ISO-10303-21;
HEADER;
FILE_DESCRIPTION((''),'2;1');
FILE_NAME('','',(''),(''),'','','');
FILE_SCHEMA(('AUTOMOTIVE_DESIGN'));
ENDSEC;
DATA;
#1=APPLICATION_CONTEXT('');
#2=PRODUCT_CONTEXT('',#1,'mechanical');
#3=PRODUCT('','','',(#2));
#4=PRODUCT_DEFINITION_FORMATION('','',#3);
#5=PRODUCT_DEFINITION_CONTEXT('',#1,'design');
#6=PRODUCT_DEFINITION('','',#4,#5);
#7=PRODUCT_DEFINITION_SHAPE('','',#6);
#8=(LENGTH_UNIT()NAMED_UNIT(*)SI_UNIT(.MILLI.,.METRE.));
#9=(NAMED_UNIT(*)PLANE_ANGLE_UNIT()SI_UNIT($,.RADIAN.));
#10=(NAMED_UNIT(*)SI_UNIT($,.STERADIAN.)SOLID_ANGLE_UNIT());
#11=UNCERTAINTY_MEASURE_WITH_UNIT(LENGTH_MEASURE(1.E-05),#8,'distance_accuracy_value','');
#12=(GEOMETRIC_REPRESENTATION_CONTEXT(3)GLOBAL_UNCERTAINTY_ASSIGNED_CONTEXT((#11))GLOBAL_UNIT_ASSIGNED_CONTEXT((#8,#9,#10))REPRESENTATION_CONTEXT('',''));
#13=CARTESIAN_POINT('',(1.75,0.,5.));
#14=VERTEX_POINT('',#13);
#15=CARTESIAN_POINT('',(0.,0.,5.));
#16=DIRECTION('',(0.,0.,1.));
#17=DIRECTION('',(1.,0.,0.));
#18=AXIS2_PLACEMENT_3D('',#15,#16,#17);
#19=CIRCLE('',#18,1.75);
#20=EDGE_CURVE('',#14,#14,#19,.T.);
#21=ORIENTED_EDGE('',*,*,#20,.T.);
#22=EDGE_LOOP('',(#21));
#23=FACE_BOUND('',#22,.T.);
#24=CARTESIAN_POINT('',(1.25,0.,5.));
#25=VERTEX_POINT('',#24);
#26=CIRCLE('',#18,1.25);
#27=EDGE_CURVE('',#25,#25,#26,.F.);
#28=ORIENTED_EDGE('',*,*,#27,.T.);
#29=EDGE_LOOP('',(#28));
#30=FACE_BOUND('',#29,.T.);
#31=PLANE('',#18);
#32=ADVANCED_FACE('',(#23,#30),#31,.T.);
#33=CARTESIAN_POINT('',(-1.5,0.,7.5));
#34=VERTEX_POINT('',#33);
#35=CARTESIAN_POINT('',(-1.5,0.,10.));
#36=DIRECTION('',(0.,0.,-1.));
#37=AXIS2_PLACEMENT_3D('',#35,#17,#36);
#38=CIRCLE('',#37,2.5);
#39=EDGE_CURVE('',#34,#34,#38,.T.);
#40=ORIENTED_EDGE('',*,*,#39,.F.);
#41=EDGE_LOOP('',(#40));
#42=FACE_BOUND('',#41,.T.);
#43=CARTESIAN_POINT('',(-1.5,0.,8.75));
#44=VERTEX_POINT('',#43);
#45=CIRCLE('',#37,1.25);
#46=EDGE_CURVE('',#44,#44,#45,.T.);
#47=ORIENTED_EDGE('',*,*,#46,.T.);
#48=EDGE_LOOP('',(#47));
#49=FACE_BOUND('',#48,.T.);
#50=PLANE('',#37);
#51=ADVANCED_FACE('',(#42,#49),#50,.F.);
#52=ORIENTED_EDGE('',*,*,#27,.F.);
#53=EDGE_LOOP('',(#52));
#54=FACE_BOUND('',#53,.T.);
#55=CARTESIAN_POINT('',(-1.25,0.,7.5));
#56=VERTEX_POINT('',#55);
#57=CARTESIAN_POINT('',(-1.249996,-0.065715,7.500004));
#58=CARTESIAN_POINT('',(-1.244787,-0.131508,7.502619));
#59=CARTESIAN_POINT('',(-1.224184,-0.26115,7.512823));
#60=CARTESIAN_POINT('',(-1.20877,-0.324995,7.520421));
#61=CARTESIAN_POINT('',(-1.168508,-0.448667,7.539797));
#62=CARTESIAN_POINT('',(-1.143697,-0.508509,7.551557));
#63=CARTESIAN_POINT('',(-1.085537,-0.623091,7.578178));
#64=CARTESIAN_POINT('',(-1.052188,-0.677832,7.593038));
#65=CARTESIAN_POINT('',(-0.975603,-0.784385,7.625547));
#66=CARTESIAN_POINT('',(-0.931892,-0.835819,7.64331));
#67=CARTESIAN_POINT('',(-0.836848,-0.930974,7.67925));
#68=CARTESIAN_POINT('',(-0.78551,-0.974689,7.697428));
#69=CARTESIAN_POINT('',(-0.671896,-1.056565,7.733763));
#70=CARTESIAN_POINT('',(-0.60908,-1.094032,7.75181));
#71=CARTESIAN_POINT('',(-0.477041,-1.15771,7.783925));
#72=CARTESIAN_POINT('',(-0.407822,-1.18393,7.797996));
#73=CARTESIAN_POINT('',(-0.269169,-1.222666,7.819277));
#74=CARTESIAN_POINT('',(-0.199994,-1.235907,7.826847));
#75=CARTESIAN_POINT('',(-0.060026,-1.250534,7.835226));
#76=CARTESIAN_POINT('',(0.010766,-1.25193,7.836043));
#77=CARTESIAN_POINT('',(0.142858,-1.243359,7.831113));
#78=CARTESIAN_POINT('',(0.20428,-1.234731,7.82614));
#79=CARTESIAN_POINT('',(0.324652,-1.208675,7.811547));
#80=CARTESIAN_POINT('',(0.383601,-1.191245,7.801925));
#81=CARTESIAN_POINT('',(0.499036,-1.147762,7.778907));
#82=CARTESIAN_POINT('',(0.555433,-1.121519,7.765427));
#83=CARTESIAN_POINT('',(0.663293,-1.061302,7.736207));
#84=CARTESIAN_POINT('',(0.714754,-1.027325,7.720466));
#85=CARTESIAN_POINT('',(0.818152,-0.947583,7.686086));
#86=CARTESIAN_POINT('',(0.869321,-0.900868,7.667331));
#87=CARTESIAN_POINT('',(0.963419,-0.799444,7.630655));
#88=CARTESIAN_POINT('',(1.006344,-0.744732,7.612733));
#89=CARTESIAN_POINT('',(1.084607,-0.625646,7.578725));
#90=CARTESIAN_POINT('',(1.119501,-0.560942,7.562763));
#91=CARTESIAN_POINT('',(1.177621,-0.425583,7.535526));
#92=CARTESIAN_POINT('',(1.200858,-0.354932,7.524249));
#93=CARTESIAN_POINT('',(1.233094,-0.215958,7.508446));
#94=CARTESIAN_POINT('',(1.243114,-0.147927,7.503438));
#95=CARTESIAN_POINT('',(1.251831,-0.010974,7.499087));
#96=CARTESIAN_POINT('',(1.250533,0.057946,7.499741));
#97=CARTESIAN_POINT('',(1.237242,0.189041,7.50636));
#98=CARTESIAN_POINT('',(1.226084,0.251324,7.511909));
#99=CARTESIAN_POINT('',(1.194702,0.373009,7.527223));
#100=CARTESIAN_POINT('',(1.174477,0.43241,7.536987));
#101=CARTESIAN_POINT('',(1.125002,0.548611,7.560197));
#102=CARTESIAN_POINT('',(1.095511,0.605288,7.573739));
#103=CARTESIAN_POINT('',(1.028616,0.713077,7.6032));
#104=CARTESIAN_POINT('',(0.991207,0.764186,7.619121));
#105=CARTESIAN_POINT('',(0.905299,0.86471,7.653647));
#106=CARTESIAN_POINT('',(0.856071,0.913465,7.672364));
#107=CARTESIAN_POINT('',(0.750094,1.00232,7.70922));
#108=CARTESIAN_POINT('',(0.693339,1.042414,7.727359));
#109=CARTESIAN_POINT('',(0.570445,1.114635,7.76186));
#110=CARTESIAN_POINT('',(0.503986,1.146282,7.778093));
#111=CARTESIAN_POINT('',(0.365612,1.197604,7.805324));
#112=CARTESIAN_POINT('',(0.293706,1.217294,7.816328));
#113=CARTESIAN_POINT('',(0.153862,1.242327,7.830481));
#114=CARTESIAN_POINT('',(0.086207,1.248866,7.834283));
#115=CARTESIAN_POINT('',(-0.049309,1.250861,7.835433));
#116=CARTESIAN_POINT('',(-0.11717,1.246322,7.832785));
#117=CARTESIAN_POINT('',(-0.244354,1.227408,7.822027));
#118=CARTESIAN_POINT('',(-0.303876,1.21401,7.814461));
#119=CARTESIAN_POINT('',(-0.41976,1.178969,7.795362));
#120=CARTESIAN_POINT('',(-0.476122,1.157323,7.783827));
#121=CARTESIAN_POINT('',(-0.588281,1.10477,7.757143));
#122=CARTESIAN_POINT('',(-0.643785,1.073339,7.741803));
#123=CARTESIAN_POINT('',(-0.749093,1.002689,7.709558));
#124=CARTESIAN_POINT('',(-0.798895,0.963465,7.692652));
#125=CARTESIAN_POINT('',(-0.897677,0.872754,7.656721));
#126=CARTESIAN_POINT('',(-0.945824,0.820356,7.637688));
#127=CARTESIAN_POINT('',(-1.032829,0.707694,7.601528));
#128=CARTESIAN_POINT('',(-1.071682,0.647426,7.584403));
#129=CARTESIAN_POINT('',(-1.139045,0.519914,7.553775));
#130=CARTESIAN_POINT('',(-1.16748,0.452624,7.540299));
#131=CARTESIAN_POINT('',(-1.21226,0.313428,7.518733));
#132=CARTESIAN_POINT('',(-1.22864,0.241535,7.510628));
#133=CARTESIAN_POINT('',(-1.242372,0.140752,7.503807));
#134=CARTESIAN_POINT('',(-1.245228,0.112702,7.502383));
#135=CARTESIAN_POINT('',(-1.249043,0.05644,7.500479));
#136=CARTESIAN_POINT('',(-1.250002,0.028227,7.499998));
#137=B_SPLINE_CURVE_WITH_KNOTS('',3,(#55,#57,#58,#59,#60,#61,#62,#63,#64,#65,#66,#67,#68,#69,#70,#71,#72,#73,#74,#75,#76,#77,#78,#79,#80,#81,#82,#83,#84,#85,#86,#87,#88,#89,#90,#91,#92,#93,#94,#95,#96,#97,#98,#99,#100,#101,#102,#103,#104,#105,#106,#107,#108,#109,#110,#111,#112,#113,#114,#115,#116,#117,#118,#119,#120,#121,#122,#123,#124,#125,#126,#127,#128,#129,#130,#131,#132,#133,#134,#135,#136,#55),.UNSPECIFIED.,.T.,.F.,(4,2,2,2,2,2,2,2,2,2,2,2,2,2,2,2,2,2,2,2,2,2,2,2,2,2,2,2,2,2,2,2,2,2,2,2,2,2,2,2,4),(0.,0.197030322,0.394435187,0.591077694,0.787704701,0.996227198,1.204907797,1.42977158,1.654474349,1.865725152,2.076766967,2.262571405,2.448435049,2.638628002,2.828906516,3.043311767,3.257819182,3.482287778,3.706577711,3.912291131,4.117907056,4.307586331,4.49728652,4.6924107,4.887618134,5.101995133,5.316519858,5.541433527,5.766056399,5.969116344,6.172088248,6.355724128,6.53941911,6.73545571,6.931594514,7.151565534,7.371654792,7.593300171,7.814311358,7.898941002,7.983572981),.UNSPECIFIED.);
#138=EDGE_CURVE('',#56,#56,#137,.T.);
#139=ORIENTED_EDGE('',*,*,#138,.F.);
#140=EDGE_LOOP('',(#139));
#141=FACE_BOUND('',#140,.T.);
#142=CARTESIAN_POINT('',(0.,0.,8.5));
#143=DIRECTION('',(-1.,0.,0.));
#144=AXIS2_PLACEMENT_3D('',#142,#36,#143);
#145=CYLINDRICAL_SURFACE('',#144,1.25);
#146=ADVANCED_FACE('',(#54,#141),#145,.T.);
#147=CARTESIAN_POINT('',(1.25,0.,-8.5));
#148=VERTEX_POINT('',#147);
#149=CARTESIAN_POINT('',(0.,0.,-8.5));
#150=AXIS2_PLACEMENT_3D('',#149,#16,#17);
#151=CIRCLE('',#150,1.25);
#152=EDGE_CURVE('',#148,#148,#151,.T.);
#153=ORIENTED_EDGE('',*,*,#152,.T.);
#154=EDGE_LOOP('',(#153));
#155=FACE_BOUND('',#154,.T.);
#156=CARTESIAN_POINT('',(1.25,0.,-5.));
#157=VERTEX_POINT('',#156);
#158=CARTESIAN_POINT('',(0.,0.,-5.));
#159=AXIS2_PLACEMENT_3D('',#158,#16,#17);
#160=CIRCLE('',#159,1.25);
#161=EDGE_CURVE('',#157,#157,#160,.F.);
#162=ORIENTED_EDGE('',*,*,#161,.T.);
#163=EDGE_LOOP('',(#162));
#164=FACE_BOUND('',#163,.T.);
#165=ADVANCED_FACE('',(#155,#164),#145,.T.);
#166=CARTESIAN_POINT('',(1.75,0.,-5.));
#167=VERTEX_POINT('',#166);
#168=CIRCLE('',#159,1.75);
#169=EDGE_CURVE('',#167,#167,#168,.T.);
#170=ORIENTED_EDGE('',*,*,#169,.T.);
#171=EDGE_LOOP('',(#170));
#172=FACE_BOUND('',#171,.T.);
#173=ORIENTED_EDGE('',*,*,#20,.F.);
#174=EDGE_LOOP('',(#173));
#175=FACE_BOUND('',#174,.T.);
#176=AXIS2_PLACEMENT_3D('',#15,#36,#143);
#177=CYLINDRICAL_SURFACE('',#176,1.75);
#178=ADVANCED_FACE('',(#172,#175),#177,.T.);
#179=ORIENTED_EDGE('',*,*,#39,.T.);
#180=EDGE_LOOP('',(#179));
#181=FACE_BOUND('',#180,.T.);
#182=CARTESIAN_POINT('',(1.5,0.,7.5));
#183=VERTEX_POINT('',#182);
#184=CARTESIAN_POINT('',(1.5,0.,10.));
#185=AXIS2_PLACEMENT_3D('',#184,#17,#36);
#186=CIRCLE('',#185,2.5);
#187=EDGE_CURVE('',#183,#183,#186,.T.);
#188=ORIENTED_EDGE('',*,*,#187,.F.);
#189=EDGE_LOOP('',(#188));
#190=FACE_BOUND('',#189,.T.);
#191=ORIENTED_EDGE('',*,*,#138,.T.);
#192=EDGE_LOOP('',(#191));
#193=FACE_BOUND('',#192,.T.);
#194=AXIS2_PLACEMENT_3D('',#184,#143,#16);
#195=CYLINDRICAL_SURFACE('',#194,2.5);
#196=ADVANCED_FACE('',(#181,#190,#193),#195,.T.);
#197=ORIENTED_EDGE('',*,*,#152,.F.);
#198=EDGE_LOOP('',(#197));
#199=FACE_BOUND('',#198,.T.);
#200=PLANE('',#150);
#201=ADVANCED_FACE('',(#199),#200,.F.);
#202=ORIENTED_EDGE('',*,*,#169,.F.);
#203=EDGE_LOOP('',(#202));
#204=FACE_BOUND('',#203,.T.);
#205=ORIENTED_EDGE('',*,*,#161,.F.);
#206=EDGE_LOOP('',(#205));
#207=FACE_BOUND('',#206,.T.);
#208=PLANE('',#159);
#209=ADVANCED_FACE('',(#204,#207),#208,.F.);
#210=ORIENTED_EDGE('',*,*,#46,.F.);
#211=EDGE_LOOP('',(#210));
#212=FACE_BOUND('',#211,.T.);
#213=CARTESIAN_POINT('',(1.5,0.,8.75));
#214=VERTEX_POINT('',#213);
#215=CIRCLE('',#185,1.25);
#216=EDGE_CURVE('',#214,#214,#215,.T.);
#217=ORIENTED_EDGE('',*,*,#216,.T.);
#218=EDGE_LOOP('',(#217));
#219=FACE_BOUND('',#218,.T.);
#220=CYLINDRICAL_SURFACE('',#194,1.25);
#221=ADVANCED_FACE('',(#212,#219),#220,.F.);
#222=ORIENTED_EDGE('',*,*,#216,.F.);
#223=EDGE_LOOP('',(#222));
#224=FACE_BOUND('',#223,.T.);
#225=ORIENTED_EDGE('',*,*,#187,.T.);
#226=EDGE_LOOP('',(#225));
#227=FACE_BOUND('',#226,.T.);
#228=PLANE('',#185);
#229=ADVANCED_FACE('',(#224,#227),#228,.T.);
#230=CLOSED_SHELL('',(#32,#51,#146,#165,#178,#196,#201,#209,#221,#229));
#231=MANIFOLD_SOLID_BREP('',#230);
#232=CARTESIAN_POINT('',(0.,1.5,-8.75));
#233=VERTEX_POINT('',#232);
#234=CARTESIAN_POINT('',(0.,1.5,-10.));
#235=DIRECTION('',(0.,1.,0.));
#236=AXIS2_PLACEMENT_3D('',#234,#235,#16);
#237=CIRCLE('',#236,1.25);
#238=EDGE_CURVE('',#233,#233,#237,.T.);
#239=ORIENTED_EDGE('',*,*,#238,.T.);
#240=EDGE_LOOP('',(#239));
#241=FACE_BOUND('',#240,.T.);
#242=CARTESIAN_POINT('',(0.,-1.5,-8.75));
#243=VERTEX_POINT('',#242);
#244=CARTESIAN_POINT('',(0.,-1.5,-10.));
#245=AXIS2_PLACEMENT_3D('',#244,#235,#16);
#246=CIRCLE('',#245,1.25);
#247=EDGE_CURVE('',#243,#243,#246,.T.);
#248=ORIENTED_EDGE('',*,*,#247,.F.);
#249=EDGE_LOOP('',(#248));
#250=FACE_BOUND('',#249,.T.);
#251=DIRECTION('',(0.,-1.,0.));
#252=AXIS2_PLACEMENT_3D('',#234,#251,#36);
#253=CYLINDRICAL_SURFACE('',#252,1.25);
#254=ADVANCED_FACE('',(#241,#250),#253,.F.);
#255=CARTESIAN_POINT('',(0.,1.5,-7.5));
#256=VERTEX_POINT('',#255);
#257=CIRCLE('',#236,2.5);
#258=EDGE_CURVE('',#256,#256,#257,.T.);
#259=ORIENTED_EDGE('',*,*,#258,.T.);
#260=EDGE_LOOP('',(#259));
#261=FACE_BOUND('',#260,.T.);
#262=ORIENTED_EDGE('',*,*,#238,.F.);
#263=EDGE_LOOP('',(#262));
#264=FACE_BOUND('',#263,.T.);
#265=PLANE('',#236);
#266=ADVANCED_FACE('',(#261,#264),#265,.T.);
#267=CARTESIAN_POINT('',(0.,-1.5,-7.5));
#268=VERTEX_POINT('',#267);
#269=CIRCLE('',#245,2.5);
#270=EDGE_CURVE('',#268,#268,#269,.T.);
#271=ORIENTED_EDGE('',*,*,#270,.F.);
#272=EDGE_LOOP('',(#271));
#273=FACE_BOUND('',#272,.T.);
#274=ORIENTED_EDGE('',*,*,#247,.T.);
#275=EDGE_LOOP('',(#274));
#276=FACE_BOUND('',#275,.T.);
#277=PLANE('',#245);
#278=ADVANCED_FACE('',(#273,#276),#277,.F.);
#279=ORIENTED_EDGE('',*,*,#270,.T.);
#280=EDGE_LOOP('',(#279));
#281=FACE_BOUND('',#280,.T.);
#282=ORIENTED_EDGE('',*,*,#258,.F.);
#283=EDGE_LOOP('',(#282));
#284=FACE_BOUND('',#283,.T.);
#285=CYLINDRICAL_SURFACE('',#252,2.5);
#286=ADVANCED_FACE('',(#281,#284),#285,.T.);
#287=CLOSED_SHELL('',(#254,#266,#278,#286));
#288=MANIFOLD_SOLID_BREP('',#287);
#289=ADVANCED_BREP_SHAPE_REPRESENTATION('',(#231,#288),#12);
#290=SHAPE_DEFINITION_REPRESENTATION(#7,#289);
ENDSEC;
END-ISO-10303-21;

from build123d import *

# Parameters (mm, degrees)
SKETCH2_R           = 1.75
BOSS_EXTRUDE1_DEPTH = 5
SKETCH3_R           = 1.25
BOSS_EXTRUDE2_DEPTH = 8.5
SKETCH4_R           = 2.5
SKETCH4_R_2         = 1.25
BOSS_EXTRUDE3_DEPTH = 1.5
SKETCH5_R           = 2.5
SKETCH5_R_2         = 1.25
BOSS_EXTRUDE4_DEPTH = 1.5


with BuildPart() as part:
    # Sketch2 → Boss-Extrude1 (new, symmetric)
    with BuildSketch(Plane.XY):
        Circle(SKETCH2_R)
    extrude(amount=BOSS_EXTRUDE1_DEPTH, both=True)

    # Sketch3 → Boss-Extrude2 (add, symmetric)
    with BuildSketch(Plane.XY):
        Circle(SKETCH3_R)
    extrude(amount=BOSS_EXTRUDE2_DEPTH, both=True)

    # Sketch5 → Boss-Extrude4 (add, symmetric)
    with BuildSketch(Plane(origin=(0, 0, 0), x_dir=(0, 0, -1), z_dir=(1, 0, 0))):
        with Locations((-10, 0)):
            Circle(SKETCH5_R)
        with Locations((-10, 0)):
            Circle(SKETCH5_R_2, mode=Mode.SUBTRACT)
    extrude(amount=BOSS_EXTRUDE4_DEPTH, both=True)


with BuildPart() as body_2:
    # Sketch4 → Boss-Extrude3 (new, symmetric)
    with BuildSketch(Plane(origin=(0, 0, 0), x_dir=(1, 0, 0), z_dir=(0, 1, 0))):
        with Locations(Location((0, 10, 0), (0, 0, 270))):
            Circle(SKETCH4_R)
        with Locations(Location((0, 10, 0), (0, 0, 270))):
            Circle(SKETCH4_R_2, mode=Mode.SUBTRACT)
    extrude(amount=BOSS_EXTRUDE3_DEPTH, both=True)


solid = Compound([part.part, body_2.part])
